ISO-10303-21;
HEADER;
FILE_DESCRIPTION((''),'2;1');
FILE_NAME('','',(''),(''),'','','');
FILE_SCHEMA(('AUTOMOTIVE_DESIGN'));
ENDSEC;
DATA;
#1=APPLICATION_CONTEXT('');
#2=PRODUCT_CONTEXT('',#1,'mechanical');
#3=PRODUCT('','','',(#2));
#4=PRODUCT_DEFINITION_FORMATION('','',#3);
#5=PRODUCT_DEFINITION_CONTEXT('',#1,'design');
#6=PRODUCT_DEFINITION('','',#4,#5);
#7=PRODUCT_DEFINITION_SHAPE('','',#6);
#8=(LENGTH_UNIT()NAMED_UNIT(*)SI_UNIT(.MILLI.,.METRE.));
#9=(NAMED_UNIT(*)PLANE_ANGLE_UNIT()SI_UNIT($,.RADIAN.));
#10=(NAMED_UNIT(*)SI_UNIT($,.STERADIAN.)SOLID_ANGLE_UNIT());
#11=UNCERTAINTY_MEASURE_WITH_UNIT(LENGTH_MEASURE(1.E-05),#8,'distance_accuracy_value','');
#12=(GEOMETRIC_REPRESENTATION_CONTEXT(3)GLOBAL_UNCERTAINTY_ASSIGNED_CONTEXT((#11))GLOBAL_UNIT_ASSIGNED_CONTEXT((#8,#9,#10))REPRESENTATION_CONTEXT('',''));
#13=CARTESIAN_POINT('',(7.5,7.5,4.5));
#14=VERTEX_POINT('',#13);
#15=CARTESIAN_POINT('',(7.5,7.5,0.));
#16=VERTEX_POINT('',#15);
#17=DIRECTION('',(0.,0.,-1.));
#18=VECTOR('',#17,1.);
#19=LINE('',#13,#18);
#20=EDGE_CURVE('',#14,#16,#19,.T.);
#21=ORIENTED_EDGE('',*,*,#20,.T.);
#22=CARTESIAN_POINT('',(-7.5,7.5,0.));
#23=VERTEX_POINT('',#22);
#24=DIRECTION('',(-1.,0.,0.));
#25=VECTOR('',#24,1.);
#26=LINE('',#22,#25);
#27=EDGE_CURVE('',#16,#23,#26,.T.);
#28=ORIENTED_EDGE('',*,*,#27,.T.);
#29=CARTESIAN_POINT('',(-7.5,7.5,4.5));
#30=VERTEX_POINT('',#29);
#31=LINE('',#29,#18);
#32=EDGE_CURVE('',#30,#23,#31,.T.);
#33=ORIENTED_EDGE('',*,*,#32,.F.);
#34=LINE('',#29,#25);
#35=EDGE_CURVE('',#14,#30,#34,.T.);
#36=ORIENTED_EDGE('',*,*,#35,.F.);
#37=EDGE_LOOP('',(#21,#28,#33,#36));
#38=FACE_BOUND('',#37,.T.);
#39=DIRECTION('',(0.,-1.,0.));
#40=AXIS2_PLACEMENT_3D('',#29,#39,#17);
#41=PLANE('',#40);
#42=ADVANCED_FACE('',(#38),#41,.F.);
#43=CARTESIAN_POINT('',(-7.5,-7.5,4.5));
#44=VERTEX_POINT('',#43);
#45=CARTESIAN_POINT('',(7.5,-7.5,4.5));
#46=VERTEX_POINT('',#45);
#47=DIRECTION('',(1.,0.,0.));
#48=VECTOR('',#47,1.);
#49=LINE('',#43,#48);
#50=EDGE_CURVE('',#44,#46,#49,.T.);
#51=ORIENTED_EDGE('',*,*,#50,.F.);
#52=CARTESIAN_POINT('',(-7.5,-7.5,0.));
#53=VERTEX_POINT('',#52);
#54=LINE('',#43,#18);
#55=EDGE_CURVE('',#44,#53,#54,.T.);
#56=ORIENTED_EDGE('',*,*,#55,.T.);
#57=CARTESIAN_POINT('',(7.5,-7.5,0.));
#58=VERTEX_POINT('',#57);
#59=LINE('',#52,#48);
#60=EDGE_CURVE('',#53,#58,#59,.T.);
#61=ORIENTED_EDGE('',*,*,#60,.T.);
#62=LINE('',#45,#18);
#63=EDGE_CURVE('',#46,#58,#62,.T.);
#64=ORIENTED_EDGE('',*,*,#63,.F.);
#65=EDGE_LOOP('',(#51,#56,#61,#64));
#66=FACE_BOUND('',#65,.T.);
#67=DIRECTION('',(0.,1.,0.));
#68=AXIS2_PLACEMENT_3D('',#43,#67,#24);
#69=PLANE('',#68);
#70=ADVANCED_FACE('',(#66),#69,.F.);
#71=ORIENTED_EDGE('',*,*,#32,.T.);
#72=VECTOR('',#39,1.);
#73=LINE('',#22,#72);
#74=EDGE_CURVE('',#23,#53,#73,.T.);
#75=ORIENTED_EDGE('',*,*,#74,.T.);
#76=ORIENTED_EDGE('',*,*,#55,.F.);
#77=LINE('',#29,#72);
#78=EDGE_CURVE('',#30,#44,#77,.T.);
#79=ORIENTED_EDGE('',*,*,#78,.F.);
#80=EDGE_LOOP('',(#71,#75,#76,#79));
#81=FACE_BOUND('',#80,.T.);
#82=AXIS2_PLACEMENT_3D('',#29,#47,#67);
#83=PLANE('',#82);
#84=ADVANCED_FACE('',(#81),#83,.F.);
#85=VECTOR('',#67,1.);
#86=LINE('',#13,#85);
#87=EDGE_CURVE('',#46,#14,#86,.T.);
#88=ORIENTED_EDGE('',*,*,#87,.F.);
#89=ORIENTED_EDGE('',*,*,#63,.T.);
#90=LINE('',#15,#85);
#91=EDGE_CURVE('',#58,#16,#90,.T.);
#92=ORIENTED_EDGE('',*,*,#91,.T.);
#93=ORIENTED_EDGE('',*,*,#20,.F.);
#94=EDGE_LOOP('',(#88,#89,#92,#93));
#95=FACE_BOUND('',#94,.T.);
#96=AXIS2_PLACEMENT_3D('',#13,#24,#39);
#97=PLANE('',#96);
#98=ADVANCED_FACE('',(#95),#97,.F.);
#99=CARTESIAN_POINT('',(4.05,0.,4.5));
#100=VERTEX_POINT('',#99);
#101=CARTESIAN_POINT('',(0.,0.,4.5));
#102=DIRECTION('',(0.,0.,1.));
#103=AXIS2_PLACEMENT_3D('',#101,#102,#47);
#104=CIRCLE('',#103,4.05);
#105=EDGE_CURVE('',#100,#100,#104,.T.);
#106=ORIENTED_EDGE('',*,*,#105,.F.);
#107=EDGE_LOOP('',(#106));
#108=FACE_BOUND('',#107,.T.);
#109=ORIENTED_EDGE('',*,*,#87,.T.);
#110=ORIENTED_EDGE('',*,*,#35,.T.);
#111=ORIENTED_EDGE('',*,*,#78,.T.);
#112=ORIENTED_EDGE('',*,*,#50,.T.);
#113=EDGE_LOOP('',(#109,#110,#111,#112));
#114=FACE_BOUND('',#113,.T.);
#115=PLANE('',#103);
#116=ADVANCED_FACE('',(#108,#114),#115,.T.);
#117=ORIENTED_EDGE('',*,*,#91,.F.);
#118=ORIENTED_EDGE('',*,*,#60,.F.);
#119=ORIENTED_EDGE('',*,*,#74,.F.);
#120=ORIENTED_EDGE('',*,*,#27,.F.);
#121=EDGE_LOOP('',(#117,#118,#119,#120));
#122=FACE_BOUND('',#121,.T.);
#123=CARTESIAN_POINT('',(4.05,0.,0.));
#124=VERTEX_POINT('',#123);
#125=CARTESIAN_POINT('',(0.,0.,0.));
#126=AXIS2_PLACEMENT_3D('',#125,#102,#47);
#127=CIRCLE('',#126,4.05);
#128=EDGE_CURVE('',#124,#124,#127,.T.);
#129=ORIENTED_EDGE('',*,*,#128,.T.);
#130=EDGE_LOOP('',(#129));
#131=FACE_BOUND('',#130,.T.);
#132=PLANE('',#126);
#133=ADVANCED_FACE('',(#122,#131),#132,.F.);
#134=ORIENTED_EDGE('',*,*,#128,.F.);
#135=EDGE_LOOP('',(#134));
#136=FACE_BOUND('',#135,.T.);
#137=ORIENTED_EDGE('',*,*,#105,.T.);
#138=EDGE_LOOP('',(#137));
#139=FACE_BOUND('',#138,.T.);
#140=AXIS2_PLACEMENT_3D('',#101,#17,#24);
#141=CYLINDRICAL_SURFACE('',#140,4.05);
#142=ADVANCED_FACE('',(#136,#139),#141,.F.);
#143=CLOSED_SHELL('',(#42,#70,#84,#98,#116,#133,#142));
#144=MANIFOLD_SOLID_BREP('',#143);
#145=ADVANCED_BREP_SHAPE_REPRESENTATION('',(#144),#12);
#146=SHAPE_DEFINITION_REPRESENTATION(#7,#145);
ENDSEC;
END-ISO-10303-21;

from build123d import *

# Parameters (mm, degrees)
CROQUIS1_W              = 15
CROQUIS1_H              = 15
CROQUIS1_R              = 4.05
SALIENTE_EXTRUIR1_DEPTH = 4.5


with BuildPart() as part:
    # Croquis1 → Saliente-Extruir1 (new body)
    with BuildSketch(Plane.XY):
        Rectangle(CROQUIS1_W, CROQUIS1_H)
        Circle(CROQUIS1_R, mode=Mode.SUBTRACT)
    extrude(amount=SALIENTE_EXTRUIR1_DEPTH)


solid = part.part
